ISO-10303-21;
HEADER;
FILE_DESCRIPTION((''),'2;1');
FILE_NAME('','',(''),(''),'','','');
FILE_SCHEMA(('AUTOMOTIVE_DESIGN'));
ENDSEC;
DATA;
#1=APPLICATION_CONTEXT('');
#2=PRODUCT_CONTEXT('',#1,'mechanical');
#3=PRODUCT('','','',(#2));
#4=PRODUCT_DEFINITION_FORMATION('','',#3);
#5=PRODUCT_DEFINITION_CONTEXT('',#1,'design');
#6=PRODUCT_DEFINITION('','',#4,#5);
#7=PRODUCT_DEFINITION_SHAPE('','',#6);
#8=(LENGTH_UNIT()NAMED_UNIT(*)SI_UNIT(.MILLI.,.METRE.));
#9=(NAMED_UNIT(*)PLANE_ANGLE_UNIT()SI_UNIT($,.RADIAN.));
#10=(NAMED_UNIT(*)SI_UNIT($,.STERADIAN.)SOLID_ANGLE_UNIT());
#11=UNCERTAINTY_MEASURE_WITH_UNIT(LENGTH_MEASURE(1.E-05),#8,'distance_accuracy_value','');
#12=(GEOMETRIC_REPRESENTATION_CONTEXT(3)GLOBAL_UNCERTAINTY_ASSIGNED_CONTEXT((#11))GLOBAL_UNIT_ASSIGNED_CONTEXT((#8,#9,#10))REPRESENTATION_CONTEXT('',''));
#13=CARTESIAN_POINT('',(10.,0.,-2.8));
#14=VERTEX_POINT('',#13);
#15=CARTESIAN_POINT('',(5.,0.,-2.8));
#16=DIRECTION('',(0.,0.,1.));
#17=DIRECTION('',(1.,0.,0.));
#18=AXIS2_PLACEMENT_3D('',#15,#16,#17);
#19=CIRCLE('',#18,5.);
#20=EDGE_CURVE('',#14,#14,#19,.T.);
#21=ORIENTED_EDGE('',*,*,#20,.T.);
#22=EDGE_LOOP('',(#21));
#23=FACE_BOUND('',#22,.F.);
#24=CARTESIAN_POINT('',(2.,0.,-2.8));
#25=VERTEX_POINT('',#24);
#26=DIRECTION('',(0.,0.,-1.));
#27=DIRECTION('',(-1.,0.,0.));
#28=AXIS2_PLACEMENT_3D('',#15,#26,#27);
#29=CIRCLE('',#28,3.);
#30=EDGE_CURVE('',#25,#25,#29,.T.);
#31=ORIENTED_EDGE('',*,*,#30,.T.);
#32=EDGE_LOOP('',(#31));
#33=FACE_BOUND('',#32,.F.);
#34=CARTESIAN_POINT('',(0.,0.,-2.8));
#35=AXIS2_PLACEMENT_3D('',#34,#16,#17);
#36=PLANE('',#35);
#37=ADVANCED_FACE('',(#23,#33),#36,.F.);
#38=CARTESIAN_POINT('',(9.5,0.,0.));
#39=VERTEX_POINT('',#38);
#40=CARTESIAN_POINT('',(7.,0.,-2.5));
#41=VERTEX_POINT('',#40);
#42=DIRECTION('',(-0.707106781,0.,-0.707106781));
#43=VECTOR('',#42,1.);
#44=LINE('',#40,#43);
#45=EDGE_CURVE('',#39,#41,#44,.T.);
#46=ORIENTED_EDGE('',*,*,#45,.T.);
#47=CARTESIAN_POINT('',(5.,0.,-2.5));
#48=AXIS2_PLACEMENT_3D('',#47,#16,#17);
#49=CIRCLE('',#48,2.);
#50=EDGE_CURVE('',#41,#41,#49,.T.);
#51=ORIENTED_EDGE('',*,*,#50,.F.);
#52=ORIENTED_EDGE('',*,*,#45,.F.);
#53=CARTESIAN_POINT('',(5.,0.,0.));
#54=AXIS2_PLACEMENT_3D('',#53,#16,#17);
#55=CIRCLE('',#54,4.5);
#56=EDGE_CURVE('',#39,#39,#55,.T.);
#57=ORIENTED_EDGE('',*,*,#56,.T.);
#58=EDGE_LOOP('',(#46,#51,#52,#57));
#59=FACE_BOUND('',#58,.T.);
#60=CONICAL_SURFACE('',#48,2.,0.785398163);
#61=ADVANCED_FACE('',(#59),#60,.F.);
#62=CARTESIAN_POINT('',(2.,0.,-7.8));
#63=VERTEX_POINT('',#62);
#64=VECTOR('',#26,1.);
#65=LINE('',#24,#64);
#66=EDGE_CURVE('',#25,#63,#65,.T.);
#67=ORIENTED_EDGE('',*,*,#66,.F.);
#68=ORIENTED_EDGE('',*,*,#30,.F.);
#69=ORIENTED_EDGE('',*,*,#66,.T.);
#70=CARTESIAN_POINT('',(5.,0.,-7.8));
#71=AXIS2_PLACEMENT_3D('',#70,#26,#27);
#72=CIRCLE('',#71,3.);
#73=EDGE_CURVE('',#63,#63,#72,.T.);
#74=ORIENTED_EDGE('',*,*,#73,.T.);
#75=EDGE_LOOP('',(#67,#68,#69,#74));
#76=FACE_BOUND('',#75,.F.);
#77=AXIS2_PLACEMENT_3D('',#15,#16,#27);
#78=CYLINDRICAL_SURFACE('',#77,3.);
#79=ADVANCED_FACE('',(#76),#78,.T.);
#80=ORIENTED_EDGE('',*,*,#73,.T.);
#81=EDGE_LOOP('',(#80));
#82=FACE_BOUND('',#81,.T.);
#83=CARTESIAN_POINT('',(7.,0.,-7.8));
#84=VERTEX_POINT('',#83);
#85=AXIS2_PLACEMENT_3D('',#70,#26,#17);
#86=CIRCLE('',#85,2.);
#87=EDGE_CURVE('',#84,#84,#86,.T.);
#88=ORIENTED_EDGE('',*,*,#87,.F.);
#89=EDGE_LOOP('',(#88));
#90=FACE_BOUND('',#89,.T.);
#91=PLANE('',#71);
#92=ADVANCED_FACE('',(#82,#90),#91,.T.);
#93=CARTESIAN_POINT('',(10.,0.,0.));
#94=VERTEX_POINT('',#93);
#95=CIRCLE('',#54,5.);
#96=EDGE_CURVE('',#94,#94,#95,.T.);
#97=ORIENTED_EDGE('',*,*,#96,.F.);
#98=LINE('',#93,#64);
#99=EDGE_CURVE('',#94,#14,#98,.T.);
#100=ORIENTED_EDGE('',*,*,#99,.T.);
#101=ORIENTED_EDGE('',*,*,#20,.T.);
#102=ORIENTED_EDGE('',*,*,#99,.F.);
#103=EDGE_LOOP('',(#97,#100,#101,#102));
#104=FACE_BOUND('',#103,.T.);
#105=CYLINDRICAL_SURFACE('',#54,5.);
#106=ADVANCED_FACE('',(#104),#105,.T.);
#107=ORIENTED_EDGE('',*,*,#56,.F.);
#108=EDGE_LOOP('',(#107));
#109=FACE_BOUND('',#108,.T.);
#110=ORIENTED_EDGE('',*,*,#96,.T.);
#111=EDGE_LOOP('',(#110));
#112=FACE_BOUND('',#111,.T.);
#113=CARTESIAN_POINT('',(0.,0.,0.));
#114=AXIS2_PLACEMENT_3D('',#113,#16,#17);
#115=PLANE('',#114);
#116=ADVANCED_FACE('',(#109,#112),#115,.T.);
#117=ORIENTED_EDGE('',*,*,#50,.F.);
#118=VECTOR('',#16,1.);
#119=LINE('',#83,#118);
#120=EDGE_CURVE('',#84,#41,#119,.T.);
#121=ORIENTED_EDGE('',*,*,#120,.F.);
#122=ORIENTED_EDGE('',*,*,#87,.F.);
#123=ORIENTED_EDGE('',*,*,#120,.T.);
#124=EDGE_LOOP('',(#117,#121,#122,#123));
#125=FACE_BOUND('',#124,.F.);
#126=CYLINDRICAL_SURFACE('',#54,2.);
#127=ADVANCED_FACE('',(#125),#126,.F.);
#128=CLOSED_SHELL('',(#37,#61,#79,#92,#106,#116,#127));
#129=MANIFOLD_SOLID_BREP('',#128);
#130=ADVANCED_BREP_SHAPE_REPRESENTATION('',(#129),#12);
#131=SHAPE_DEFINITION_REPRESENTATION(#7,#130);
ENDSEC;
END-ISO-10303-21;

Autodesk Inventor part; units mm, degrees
ref_plane "YZ Plane" through (0, 0, 0) normal (1, 0, 0) x (0, 1, 0)
sketch "스케치1" plane through (0, 0, 0) normal (0, 0, 1) x (1, 0, 0)
  line L0 (5, 1.4434) -> (6.25, 0.7217) projected
  line L1 (6.25, 0.7217) -> (6.25, -0.7217) projected
  line L2 (6.25, -0.7217) -> (5, -1.4434) projected
  line L3 (5, -1.4434) -> (3.75, -0.7217) projected
  line L4 (3.75, -0.7217) -> (3.75, 0.7217) projected
  line L5 (3.75, 0.7217) -> (5, 1.4434) projected
  circle A0 centre (5, 0) radius 5 projected
  circle A1 centre (5, 0) radius 5
  point P0 (0, 0)
ref_plane "작업 평면1" through (-0.2823, -5.2823, -2.8) normal (0, 0, -1) x (0, 1, 0)
extrude "돌출1" add sketch "스케치1" against normal up to surface (2.8 mm away)
sketch "스케치2" plane through (5, 0, -2.8) normal (0, 0, -1) x (-1, 0, 0)
  circle A0 centre (0, 0) radius 3 projected
  circle A1 centre (0, 0) radius 2 projected
  point P0 (5, 0)
ref_plane "작업 평면2" through (1.8306, -3.1694, -7.8) normal (0, 0, -1) x (0, 1, 0)
extrude "돌출2" add sketch "스케치2" along normal up to surface (5 mm away)
sketch "스케치3" plane through (5, 0, 0) normal (0, 0, 1) x (1, 0, 0)
  circle A0 centre (0, 0) radius 5 projected
  line L0 (0, 1.4434) -> (1.25, 0.7217) projected
  line L1 (1.25, 0.7217) -> (1.25, -0.7217) projected
  line L2 (1.25, -0.7217) -> (0, -1.4434) projected
  line L3 (0, -1.4434) -> (-1.25, -0.7217) projected
  line L4 (-1.25, -0.7217) -> (-1.25, 0.7217) projected
  line L5 (-1.25, 0.7217) -> (0, 1.4434) projected
  circle A1 centre (0, 0) radius 2
  point P0 (-5, 0)
  dimension "d4" = 4
extrude "돌출3" cut sketch "스케치3" against normal through all contours L0 L1 L2 L3 L4 L5 | A1
chamfer "모따기1" distance 2.5 angle 45 1 edges at (3, 0, 0)
properties part number "Handmade tiered cover" material "LCP 플라스틱"
